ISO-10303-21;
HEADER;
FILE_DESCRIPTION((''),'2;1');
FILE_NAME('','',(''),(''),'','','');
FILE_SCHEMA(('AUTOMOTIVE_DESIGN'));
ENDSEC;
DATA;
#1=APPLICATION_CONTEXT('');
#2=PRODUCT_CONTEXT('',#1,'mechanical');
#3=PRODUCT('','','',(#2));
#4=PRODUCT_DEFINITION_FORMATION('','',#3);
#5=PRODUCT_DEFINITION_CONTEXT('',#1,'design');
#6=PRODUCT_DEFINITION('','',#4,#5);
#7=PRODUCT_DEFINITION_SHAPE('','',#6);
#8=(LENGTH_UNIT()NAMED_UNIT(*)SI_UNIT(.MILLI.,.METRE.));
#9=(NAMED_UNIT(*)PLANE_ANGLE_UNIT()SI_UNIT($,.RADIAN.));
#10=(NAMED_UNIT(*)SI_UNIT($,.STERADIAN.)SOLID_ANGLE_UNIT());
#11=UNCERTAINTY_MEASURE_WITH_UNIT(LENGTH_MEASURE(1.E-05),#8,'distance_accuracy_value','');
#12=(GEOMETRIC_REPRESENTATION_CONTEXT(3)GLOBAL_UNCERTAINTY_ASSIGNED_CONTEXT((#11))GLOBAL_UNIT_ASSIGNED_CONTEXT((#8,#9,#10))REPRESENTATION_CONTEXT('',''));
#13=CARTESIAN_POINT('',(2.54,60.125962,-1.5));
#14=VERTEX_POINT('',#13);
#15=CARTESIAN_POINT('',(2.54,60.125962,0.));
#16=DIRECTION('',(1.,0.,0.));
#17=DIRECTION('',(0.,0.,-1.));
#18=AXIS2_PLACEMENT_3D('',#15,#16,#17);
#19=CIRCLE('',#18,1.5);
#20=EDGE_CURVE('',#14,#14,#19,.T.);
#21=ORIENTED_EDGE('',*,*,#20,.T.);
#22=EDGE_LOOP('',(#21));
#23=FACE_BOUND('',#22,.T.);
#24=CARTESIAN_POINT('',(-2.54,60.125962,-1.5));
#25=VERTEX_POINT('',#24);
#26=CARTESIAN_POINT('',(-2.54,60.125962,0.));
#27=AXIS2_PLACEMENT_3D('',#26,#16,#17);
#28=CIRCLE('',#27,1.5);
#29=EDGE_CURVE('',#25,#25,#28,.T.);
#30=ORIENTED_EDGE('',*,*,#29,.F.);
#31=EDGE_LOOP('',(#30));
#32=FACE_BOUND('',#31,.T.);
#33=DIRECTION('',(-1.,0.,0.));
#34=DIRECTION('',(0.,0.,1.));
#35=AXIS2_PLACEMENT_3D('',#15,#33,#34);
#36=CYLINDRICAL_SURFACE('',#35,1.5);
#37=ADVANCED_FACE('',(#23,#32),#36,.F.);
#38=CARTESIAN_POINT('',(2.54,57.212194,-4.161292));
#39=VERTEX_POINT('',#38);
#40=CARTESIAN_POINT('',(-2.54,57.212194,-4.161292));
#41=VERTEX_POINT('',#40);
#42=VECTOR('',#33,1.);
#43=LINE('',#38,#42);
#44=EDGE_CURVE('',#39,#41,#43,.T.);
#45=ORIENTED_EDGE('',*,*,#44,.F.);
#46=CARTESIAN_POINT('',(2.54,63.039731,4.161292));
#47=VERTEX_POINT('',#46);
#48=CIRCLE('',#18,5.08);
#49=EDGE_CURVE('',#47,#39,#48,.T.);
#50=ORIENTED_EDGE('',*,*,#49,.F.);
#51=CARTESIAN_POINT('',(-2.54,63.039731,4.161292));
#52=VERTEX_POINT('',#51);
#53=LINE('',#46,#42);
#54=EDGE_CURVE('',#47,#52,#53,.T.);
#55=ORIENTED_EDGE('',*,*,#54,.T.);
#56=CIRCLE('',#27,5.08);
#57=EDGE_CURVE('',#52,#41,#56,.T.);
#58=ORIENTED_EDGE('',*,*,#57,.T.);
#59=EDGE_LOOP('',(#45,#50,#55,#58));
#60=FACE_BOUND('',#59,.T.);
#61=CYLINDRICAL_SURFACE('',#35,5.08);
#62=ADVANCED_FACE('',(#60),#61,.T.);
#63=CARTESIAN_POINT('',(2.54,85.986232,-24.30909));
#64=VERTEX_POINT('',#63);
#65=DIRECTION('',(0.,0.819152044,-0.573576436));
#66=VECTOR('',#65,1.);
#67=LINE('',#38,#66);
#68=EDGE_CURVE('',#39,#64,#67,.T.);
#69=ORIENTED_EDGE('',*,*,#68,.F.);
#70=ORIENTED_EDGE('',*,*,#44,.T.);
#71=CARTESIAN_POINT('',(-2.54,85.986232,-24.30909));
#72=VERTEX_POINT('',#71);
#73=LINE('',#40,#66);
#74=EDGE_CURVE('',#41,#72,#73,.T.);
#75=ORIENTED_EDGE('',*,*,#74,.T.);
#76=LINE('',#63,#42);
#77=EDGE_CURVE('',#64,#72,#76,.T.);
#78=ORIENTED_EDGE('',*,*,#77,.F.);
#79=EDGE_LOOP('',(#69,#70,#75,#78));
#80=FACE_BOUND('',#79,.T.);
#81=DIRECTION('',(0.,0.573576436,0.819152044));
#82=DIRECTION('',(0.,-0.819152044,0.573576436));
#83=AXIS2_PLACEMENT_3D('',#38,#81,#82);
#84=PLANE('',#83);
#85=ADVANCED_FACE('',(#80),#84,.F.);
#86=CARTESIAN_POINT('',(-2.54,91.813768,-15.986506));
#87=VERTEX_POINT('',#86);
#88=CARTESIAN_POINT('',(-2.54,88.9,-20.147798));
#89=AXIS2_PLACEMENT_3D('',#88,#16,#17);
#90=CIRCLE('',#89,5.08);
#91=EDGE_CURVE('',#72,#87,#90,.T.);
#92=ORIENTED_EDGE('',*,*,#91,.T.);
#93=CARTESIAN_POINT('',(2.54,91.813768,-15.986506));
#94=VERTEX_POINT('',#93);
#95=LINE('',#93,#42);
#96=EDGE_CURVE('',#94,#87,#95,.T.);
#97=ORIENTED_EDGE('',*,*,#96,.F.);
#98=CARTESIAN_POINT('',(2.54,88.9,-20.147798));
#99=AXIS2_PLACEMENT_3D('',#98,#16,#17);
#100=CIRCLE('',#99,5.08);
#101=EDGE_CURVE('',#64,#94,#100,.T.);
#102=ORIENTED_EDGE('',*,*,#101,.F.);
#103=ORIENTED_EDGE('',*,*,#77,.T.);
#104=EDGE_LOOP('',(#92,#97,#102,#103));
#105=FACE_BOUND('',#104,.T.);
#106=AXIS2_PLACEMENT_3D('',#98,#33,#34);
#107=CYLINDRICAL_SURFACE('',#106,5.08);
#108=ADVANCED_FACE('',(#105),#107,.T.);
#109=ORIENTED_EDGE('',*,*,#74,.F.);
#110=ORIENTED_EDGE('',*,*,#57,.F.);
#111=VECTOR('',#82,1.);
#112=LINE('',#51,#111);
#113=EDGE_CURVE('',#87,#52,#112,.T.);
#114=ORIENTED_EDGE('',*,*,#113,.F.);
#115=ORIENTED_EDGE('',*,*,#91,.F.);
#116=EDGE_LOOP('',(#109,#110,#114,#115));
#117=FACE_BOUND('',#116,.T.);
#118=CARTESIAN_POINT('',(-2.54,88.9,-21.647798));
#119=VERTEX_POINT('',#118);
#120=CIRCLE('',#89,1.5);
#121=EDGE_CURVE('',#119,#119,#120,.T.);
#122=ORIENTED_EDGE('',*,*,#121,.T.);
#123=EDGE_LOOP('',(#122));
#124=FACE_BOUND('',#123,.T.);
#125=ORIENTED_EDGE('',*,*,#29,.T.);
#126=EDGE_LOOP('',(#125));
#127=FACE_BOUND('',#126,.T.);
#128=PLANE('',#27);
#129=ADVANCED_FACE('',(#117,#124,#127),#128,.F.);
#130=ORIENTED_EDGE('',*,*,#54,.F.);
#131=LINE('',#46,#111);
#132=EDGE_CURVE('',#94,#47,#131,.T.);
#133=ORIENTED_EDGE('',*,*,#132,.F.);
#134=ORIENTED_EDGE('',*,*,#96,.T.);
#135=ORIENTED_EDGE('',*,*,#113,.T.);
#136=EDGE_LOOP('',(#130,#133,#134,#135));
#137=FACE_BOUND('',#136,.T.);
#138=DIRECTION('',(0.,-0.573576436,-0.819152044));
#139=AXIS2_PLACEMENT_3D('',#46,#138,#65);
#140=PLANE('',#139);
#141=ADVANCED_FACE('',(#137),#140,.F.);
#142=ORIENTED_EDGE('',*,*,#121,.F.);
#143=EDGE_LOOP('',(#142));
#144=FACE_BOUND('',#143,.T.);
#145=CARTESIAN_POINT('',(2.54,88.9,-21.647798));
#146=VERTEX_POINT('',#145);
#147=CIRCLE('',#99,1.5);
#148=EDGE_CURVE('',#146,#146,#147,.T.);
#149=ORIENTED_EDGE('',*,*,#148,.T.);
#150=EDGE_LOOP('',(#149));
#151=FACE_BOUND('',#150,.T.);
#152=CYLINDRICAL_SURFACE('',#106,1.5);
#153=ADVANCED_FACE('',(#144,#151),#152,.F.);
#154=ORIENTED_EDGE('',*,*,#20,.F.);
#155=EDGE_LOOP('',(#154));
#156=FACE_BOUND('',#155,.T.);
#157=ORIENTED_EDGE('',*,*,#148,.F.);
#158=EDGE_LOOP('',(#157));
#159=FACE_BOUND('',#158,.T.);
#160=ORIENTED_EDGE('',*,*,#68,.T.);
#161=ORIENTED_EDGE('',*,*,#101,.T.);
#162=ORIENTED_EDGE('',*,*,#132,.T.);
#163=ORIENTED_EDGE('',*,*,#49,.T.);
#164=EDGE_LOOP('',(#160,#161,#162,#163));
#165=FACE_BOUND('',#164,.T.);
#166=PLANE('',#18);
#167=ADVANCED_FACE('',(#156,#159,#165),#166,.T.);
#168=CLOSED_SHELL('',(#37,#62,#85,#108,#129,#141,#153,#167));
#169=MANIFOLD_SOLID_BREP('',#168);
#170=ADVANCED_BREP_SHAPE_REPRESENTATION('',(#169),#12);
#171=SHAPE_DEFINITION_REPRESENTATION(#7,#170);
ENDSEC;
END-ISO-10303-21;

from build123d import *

# Parameters (mm, degrees)
SKETCH1_R           = 1.5
BOSS_EXTRUDE1_DEPTH = 2.54


with BuildPart() as part:
    # Sketch1 → Boss-Extrude1 (new, symmetric)
    with BuildSketch(Plane(origin=(0, 0, 0), x_dir=(0, 0, -1), z_dir=(1, 0, 0))):
        with BuildLine():
            Line((-4.161292385, 63.039730595), (15.986505719, 91.813768297))
            ThreePointArc((15.986505719, 91.813768297), (23.0615664, 93.061292385), (24.309090489, 85.986231703))
            Line((24.309090489, 85.986231703), (4.161292385, 57.212194001))
            ThreePointArc((4.161292385, 57.212194001), (-2.913768297, 55.964669913), (-4.161292385, 63.039730595))
        make_face()
        with Locations((20.147798104, 88.9)):
            Circle(SKETCH1_R, mode=Mode.SUBTRACT)
        with Locations((0, 60.125962298)):
            Circle(SKETCH1_R, mode=Mode.SUBTRACT)
    extrude(amount=BOSS_EXTRUDE1_DEPTH, both=True)


solid = part.part
